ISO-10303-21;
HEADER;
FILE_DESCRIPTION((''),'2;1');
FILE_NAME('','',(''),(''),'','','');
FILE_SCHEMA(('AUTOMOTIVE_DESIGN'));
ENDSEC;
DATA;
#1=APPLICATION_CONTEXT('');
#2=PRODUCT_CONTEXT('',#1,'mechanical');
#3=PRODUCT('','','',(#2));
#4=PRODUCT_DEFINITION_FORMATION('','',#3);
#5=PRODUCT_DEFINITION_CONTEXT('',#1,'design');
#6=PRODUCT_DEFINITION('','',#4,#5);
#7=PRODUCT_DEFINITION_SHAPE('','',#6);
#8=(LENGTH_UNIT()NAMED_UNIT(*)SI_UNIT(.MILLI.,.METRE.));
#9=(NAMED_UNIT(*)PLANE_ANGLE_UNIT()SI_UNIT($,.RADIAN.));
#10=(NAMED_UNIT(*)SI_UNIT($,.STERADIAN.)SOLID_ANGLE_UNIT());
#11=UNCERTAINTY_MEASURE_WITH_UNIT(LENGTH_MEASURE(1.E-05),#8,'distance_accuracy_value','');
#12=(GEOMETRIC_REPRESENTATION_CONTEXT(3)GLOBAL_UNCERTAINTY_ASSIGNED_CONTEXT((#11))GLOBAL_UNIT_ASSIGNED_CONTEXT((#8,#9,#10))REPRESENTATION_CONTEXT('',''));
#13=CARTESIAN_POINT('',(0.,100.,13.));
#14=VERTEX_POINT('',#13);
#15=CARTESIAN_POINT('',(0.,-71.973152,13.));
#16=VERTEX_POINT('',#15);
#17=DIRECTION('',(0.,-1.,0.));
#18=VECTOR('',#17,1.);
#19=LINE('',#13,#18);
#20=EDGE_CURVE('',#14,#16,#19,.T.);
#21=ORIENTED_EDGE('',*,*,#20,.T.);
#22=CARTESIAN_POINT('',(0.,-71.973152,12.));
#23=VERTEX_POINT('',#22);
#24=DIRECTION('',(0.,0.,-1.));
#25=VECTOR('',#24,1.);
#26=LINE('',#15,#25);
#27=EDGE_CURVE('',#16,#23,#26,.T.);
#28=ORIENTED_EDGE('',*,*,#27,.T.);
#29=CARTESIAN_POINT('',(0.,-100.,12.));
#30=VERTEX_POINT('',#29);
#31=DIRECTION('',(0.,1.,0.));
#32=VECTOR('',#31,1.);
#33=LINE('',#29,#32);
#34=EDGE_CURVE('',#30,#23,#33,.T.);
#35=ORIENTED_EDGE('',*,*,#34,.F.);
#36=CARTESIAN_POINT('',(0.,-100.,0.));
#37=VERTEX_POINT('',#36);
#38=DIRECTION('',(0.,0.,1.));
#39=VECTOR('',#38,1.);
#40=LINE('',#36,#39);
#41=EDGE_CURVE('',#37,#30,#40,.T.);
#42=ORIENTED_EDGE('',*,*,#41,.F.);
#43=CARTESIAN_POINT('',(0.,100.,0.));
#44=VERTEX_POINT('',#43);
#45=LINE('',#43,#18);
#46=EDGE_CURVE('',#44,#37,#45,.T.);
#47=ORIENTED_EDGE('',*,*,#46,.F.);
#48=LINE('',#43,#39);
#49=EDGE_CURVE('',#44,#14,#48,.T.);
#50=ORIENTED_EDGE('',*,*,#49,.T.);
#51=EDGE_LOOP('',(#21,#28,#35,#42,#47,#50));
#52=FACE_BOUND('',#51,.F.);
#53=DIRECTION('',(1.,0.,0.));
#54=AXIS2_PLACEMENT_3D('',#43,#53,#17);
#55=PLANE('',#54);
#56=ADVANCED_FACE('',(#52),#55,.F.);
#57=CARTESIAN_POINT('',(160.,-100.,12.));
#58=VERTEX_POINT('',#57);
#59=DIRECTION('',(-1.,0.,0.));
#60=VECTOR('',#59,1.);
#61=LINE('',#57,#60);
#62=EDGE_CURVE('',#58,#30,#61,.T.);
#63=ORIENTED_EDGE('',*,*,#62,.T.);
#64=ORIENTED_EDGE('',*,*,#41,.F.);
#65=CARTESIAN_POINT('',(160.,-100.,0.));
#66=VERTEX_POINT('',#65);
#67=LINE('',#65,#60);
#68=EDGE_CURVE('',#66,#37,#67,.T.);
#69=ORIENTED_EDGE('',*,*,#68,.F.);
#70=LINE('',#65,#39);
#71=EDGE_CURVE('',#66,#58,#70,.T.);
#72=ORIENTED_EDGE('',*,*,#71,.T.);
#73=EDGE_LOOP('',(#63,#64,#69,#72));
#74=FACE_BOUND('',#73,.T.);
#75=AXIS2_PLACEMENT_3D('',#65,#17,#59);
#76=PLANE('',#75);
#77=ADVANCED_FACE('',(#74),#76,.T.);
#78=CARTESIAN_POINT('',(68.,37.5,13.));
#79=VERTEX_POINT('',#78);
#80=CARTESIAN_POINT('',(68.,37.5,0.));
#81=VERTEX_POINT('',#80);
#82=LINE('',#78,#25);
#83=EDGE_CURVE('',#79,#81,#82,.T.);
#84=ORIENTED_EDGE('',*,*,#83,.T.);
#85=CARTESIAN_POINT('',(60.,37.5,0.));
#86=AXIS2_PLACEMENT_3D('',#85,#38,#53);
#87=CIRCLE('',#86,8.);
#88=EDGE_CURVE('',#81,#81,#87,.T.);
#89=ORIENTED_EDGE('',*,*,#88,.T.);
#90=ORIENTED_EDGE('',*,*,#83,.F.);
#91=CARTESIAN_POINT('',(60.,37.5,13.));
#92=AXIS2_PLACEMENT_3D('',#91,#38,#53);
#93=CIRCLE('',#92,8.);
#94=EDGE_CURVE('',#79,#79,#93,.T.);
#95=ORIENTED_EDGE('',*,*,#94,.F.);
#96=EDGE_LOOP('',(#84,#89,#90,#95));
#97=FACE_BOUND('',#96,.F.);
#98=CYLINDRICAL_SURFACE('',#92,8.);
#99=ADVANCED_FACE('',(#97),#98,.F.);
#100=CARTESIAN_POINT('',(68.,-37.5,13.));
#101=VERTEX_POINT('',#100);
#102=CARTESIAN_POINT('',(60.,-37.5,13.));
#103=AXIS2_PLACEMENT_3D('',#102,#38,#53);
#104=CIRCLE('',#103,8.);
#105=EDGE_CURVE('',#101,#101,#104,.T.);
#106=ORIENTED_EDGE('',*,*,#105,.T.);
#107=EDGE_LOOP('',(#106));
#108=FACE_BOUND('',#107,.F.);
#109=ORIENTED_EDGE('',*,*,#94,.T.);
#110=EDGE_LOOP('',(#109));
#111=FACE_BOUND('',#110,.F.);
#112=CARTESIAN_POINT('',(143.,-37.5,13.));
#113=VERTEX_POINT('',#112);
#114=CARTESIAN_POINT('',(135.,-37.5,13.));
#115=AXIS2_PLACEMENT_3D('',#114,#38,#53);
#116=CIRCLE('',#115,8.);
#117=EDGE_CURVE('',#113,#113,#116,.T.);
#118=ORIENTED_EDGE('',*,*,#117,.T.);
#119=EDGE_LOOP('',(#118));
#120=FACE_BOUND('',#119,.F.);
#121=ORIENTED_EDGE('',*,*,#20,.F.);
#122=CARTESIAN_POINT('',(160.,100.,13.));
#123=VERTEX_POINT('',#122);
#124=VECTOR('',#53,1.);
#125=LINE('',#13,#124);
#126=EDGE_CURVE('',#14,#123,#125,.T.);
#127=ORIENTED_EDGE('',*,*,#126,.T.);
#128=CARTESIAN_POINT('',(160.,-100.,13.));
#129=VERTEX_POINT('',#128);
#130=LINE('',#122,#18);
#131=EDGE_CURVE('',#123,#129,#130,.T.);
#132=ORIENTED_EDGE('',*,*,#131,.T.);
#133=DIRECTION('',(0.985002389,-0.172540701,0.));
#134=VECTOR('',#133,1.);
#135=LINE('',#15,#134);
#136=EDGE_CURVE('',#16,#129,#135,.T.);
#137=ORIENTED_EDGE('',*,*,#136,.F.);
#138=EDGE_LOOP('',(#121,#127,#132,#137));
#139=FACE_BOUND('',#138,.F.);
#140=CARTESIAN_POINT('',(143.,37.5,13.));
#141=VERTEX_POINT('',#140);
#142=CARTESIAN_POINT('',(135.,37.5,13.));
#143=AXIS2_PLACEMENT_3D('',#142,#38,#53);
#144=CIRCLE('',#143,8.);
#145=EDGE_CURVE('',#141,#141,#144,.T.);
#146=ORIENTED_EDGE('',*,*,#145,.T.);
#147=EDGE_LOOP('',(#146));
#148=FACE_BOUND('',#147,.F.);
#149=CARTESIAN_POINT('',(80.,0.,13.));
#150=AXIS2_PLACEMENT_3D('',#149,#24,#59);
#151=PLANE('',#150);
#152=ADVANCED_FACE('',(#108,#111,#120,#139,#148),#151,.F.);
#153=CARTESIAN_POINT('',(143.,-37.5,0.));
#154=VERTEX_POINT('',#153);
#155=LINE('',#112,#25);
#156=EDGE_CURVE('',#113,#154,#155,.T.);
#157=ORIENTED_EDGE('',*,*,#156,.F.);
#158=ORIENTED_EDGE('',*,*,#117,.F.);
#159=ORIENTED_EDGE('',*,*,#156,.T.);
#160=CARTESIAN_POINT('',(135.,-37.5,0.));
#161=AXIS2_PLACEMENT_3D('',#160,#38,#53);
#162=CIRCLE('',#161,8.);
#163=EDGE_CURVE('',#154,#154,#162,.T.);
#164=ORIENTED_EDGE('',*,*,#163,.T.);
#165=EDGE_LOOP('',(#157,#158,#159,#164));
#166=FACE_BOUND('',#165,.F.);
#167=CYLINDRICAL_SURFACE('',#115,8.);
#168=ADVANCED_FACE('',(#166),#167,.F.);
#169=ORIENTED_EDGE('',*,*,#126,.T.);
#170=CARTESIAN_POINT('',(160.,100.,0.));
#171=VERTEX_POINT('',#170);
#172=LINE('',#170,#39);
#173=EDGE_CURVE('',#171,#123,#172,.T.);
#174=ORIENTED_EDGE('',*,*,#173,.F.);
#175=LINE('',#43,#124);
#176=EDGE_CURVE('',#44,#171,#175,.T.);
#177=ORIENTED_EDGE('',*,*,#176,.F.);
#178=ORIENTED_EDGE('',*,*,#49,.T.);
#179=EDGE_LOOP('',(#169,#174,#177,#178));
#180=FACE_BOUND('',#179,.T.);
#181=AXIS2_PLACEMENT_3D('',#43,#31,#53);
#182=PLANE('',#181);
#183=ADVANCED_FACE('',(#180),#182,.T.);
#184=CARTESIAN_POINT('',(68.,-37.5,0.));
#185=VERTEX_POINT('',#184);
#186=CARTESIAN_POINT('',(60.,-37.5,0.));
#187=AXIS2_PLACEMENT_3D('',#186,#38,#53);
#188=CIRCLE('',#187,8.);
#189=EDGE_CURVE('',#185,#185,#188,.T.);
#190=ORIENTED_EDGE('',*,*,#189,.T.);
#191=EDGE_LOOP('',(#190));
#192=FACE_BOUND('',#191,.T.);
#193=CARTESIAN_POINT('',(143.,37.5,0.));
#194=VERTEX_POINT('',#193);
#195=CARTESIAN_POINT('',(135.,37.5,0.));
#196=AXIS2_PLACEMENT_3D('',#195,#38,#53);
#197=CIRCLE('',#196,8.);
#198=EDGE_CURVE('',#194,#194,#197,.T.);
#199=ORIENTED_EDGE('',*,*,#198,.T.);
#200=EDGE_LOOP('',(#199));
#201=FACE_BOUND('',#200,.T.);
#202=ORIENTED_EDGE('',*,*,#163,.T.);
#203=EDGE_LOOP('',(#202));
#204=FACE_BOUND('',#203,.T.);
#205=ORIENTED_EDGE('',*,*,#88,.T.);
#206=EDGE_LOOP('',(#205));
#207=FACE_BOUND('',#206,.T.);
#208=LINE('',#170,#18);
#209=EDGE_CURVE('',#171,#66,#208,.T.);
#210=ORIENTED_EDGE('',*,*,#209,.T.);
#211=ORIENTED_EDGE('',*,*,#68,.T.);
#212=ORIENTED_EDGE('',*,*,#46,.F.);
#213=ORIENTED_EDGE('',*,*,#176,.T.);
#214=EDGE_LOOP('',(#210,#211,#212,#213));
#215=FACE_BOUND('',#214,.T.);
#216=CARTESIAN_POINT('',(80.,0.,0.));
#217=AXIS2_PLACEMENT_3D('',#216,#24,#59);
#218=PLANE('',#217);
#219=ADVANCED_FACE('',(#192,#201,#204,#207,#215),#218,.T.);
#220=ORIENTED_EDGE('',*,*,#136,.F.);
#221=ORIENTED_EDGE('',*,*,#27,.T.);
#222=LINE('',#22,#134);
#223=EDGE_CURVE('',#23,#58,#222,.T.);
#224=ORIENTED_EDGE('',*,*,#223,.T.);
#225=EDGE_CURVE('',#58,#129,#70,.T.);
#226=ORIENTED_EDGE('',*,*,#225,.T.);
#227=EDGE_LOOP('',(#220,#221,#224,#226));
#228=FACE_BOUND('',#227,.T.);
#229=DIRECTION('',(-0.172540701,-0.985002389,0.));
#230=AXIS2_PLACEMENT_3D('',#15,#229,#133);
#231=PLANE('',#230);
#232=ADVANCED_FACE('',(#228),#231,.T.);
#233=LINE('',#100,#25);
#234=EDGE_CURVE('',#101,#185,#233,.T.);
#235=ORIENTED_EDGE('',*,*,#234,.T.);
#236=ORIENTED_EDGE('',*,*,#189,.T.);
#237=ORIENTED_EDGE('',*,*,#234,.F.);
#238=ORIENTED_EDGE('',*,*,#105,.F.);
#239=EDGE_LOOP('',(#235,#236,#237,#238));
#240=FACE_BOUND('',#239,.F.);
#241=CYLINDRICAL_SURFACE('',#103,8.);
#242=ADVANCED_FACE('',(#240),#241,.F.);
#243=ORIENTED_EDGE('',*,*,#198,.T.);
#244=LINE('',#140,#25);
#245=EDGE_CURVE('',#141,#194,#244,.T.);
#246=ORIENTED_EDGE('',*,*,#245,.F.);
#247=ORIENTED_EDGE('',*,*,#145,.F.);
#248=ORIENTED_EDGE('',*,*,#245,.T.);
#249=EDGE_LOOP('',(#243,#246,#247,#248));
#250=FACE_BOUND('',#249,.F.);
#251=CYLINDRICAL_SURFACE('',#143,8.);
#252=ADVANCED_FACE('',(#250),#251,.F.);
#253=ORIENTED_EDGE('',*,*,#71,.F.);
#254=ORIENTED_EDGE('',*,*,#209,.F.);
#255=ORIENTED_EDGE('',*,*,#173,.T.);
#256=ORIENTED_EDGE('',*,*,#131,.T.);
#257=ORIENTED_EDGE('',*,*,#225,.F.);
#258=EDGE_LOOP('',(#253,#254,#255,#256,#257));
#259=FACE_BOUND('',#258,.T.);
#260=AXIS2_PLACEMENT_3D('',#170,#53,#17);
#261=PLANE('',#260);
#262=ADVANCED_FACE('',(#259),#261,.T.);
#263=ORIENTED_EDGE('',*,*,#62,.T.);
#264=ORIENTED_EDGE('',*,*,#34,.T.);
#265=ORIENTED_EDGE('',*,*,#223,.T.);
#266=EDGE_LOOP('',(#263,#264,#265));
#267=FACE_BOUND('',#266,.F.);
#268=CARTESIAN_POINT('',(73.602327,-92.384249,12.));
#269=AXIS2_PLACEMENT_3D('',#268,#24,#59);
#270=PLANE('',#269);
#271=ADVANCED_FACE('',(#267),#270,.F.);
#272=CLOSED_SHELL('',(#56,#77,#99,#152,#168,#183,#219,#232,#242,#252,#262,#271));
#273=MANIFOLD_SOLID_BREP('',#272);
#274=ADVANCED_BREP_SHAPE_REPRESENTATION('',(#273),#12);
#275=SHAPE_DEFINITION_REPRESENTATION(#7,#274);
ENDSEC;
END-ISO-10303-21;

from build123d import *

# Parameters (mm, degrees)
PAD_DEPTH       = 13
POCKET_DEPTH    = 1
SKETCH003_R     = 8
POCKET001_DEPTH = 13.001


with BuildPart() as part:
    # Sketch → Pad (new body)
    with BuildSketch(Plane.XY):
        Polygon((0, 0), (0, 100), (160, 100), (160, -100), (0, -100), align=None)
    extrude(amount=PAD_DEPTH)

    # Sketch002 (on Face7 of Pad) → Pocket (cut)
    with BuildSketch(Plane.XY.offset(13)):
        Polygon((0, -100), (0, -71.973152), (160, -100), align=None)
    extrude(amount=-POCKET_DEPTH, mode=Mode.SUBTRACT)

    # Sketch003 (on Face5 of Pocket) → Pocket001 (cut, through all)
    with BuildSketch(Plane.XY.offset(13)):
        with Locations((60, 37.5)):
            Circle(SKETCH003_R)
        with Locations((135, 37.5)):
            Circle(SKETCH003_R)
        with Locations((135, -37.5)):
            Circle(SKETCH003_R)
        with Locations((60, -37.5)):
            Circle(SKETCH003_R)
    extrude(amount=-POCKET001_DEPTH, mode=Mode.SUBTRACT)


solid = part.part
